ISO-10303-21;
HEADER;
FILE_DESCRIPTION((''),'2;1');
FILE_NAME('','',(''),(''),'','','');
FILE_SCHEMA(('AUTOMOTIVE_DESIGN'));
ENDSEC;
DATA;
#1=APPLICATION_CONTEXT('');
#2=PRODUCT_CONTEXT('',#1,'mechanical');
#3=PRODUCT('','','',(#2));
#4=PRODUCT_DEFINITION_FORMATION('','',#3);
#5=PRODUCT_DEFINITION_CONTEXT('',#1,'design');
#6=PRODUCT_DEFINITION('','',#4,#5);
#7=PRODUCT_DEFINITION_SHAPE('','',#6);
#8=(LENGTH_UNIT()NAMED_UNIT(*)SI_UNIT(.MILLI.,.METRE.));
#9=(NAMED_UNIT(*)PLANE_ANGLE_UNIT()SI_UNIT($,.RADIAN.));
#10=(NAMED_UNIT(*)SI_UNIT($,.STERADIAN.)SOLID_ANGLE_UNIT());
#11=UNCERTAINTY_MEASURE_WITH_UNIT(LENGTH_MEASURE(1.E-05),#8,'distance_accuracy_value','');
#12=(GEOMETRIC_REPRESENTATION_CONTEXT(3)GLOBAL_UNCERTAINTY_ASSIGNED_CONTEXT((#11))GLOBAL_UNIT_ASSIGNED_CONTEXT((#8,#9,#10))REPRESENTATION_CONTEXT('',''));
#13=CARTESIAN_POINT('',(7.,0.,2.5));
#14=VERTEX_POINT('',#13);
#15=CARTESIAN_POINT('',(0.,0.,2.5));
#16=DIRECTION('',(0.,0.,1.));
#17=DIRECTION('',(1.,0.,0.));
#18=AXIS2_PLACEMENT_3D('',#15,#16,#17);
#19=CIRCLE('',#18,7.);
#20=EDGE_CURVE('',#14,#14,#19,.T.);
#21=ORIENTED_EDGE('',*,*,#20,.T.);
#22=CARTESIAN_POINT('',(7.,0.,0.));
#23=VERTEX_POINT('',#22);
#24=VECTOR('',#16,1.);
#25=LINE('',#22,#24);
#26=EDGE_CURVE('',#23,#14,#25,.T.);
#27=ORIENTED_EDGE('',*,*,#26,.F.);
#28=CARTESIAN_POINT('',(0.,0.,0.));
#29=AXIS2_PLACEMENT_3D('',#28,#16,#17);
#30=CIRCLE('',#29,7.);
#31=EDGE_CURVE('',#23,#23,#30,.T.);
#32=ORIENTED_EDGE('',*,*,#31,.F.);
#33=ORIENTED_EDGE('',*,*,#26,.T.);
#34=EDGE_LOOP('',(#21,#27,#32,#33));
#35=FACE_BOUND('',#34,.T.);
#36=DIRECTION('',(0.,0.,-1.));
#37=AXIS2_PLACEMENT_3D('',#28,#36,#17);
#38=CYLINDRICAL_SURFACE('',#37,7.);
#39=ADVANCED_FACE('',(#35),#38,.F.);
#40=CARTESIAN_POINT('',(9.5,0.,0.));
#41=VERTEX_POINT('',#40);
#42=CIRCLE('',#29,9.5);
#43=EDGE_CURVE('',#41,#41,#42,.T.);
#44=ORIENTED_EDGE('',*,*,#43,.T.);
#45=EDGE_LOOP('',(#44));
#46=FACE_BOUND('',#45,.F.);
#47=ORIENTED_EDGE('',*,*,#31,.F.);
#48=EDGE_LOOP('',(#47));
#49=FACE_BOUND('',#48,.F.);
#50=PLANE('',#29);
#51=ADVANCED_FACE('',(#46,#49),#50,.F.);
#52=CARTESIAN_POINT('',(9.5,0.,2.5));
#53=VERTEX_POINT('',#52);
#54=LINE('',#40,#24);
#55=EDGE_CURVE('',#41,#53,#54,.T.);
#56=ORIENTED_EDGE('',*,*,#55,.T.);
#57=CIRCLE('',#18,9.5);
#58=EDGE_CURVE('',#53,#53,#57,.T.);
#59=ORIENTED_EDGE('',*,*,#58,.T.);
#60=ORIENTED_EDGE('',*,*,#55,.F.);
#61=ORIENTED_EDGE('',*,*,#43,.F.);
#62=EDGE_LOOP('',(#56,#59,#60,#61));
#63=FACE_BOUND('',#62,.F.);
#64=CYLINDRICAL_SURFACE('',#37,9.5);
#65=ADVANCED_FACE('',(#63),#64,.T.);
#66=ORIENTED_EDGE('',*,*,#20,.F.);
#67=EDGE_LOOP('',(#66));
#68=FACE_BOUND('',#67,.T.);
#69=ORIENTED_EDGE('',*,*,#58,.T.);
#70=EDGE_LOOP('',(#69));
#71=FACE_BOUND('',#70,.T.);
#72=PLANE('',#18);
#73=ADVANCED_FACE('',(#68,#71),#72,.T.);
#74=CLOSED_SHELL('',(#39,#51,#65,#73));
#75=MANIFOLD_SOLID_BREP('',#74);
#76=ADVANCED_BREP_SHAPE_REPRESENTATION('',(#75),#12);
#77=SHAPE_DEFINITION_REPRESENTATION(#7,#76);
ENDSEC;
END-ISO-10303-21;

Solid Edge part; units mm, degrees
sketch "Sketch1" plane through (0, 0, 0) normal (0, 0, 1) x (1, 0, 0)
  circle A0 centre (0, 0) radius 9.5
  circle A1 centre (0, 0) radius 7
  dimension "D1" = 14
  dimension "D2" = 19
extrude "Protrusion1" add sketch "Sketch1" along normal blind 2.5
properties material "Silikon"
